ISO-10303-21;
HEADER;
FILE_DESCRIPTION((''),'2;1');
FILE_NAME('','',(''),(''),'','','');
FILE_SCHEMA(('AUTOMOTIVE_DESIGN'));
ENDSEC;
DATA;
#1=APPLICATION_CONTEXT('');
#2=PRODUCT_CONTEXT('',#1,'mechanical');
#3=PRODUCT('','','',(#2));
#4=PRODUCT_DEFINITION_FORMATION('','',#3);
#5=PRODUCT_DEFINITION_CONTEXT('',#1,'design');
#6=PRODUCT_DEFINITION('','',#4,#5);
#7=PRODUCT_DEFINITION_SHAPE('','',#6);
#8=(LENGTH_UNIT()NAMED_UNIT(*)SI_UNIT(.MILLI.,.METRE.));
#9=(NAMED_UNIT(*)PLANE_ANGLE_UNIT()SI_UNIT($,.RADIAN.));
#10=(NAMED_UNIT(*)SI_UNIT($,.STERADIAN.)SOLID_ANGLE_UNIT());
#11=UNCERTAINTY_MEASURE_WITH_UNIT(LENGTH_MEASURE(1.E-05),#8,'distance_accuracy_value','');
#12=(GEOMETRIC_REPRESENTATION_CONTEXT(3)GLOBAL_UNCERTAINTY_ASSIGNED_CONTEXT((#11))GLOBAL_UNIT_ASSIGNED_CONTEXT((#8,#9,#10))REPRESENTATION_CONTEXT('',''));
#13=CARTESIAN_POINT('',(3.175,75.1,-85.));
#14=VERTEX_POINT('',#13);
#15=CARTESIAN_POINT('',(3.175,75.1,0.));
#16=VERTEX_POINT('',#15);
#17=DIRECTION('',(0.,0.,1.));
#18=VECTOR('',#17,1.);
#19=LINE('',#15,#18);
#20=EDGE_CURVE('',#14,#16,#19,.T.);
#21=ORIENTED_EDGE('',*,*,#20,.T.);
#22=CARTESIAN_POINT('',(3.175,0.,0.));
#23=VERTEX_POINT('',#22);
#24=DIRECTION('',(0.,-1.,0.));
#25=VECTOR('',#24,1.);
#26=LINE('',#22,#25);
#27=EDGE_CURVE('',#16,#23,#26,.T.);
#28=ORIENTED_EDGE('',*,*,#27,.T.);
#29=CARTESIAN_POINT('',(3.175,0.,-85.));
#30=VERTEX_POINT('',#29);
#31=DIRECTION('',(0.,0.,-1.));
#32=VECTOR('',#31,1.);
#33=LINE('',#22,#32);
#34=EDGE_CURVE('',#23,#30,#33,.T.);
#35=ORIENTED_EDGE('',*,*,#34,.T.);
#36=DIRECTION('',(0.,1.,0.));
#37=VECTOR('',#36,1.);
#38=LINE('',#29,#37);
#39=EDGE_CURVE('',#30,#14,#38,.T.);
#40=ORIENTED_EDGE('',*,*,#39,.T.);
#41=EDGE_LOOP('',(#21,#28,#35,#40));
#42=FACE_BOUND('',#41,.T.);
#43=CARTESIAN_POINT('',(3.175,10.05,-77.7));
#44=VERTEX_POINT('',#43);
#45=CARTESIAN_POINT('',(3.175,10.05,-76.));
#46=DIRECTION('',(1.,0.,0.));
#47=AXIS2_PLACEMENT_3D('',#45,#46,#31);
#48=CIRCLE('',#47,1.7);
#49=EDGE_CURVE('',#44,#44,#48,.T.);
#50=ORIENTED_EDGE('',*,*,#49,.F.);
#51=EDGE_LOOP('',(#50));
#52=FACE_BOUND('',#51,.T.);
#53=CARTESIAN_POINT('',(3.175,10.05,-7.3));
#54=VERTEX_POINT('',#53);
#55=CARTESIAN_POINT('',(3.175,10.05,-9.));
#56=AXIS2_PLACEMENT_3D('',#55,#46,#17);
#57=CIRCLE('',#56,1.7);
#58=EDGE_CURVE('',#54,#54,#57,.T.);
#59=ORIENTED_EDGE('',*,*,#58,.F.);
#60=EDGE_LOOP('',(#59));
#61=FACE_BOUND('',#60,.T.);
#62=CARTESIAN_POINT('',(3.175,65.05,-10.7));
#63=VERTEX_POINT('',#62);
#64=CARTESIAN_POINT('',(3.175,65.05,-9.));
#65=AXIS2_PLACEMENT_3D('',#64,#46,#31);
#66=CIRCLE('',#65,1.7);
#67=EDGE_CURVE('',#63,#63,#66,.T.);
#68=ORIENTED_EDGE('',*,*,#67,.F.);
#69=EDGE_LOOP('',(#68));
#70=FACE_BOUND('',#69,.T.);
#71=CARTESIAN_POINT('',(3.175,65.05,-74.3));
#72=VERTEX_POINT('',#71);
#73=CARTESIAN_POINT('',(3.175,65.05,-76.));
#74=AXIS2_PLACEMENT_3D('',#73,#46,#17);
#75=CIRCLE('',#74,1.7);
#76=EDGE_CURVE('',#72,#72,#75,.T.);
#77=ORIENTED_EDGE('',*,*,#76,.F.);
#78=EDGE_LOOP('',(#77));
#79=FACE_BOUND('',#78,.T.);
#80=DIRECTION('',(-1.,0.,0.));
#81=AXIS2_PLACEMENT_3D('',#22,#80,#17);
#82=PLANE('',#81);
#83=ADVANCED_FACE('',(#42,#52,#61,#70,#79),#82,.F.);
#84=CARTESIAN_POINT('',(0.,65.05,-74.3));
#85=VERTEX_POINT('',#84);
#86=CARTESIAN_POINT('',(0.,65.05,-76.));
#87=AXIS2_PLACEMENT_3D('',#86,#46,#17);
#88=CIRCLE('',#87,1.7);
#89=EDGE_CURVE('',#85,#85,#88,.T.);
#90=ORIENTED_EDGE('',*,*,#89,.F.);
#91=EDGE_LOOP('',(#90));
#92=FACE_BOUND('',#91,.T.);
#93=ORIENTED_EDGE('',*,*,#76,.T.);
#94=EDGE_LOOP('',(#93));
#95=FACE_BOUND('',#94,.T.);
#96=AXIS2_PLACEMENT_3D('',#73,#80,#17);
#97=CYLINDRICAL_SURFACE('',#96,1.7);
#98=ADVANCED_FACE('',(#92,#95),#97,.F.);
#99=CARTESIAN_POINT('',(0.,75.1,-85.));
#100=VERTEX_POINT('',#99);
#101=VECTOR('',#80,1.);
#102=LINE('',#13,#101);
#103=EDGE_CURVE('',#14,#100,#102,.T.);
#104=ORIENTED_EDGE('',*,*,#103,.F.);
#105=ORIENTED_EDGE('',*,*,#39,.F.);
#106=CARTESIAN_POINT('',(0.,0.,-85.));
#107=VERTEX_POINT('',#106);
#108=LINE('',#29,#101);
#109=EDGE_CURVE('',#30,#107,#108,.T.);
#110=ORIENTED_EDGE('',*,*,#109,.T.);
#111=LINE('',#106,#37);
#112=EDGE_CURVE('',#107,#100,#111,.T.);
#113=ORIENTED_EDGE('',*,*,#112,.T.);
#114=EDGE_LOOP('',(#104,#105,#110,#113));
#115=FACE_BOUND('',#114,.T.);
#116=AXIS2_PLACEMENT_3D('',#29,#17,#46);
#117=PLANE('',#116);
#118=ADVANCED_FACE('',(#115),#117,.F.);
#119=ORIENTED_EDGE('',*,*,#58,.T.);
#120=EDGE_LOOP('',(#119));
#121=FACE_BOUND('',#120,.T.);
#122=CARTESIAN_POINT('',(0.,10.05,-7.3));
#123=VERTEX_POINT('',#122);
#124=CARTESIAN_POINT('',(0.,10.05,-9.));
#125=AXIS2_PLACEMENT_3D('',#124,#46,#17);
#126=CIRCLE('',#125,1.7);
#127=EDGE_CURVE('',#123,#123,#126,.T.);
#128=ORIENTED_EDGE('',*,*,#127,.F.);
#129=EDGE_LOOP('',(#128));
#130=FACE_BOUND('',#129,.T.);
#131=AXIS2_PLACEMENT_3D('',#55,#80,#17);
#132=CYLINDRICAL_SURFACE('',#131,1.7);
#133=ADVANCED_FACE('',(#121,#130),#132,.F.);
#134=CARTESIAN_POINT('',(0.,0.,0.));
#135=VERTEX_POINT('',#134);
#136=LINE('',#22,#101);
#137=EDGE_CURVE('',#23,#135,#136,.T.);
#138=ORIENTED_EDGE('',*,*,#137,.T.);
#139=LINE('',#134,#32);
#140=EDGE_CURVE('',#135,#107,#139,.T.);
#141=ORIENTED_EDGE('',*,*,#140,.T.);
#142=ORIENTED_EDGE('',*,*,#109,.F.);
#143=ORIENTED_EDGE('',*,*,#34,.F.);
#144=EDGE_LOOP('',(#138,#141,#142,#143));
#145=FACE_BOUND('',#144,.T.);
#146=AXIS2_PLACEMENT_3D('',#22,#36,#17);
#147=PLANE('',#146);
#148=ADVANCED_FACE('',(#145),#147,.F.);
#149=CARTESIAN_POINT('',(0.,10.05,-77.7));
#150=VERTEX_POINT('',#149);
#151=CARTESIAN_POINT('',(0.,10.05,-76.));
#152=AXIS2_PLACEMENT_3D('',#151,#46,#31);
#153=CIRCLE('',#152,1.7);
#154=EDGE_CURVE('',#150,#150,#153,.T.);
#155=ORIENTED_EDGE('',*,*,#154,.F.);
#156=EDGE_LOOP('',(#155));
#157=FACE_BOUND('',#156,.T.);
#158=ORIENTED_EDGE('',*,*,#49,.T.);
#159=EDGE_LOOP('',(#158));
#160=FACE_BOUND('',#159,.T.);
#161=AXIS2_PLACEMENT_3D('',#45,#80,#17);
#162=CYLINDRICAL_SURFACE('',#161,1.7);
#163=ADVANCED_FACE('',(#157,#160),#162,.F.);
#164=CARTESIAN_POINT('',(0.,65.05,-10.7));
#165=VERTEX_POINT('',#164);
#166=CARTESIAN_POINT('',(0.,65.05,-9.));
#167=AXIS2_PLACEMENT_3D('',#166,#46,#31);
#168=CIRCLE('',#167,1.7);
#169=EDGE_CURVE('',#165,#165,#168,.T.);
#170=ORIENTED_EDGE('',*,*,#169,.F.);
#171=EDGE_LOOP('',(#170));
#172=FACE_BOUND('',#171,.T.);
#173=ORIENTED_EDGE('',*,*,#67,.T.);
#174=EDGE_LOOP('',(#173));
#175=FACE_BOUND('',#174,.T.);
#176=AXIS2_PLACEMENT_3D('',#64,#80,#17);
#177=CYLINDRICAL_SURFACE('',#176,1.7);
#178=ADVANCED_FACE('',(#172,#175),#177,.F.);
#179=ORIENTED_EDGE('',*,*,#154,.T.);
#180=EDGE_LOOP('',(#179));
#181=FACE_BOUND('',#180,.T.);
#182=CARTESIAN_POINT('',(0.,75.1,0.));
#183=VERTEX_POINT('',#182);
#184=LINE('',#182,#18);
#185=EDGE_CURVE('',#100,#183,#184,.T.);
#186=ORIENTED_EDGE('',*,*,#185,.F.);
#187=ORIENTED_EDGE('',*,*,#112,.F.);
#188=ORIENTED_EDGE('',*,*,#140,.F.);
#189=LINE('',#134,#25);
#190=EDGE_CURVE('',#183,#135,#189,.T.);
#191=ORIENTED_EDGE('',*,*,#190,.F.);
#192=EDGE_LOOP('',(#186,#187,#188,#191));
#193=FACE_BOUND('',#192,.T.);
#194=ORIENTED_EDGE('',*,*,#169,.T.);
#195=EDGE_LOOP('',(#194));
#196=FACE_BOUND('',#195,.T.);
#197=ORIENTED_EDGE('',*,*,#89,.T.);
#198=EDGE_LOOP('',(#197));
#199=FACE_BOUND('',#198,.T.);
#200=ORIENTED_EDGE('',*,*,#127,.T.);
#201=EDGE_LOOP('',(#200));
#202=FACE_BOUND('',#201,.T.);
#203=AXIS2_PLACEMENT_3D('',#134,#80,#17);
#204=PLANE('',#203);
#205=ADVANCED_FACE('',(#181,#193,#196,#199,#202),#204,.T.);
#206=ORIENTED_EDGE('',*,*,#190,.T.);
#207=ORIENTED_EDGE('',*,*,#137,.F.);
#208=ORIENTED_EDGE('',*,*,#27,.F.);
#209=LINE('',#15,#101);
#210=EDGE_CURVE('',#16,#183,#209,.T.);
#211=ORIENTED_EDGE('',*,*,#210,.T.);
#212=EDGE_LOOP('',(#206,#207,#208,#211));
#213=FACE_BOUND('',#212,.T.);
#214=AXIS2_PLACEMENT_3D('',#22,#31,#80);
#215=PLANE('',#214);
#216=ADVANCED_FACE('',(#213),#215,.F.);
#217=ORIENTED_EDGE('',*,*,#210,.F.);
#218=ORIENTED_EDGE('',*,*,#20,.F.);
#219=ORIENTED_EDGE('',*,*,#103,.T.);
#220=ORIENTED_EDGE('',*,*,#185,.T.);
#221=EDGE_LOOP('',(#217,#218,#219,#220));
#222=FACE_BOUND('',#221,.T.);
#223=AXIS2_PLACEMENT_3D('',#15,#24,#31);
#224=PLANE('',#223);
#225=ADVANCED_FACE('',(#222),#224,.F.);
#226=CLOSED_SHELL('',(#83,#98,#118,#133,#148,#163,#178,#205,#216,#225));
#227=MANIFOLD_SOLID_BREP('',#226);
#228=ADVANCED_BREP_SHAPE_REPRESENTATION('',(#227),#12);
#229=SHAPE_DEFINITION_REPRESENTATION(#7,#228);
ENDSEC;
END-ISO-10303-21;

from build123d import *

# Parameters (mm, degrees)
SKETCH1_W           = 85
SKETCH1_H           = 75.1
SKETCH1_R           = 1.7
BOSS_EXTRUDE1_DEPTH = 3.175


with BuildPart() as part:
    # Sketch1 → Boss-Extrude1 (new body)
    with BuildSketch(Plane(origin=(0, 0, 0), x_dir=(0, 0, -1), z_dir=(1, 0, 0))):
        with Locations((42.5, 37.55)):
            Rectangle(SKETCH1_W, SKETCH1_H)
        with Locations((9, 65.05)):
            Circle(SKETCH1_R, mode=Mode.SUBTRACT)
        with Locations(Location((9, 10.05, 0), (0, 0, 180))):
            Circle(SKETCH1_R, mode=Mode.SUBTRACT)
        with Locations((76, 10.05)):
            Circle(SKETCH1_R, mode=Mode.SUBTRACT)
        with Locations(Location((76, 65.05, 0), (0, 0, 180))):
            Circle(SKETCH1_R, mode=Mode.SUBTRACT)
    extrude(amount=BOSS_EXTRUDE1_DEPTH)


solid = part.part
